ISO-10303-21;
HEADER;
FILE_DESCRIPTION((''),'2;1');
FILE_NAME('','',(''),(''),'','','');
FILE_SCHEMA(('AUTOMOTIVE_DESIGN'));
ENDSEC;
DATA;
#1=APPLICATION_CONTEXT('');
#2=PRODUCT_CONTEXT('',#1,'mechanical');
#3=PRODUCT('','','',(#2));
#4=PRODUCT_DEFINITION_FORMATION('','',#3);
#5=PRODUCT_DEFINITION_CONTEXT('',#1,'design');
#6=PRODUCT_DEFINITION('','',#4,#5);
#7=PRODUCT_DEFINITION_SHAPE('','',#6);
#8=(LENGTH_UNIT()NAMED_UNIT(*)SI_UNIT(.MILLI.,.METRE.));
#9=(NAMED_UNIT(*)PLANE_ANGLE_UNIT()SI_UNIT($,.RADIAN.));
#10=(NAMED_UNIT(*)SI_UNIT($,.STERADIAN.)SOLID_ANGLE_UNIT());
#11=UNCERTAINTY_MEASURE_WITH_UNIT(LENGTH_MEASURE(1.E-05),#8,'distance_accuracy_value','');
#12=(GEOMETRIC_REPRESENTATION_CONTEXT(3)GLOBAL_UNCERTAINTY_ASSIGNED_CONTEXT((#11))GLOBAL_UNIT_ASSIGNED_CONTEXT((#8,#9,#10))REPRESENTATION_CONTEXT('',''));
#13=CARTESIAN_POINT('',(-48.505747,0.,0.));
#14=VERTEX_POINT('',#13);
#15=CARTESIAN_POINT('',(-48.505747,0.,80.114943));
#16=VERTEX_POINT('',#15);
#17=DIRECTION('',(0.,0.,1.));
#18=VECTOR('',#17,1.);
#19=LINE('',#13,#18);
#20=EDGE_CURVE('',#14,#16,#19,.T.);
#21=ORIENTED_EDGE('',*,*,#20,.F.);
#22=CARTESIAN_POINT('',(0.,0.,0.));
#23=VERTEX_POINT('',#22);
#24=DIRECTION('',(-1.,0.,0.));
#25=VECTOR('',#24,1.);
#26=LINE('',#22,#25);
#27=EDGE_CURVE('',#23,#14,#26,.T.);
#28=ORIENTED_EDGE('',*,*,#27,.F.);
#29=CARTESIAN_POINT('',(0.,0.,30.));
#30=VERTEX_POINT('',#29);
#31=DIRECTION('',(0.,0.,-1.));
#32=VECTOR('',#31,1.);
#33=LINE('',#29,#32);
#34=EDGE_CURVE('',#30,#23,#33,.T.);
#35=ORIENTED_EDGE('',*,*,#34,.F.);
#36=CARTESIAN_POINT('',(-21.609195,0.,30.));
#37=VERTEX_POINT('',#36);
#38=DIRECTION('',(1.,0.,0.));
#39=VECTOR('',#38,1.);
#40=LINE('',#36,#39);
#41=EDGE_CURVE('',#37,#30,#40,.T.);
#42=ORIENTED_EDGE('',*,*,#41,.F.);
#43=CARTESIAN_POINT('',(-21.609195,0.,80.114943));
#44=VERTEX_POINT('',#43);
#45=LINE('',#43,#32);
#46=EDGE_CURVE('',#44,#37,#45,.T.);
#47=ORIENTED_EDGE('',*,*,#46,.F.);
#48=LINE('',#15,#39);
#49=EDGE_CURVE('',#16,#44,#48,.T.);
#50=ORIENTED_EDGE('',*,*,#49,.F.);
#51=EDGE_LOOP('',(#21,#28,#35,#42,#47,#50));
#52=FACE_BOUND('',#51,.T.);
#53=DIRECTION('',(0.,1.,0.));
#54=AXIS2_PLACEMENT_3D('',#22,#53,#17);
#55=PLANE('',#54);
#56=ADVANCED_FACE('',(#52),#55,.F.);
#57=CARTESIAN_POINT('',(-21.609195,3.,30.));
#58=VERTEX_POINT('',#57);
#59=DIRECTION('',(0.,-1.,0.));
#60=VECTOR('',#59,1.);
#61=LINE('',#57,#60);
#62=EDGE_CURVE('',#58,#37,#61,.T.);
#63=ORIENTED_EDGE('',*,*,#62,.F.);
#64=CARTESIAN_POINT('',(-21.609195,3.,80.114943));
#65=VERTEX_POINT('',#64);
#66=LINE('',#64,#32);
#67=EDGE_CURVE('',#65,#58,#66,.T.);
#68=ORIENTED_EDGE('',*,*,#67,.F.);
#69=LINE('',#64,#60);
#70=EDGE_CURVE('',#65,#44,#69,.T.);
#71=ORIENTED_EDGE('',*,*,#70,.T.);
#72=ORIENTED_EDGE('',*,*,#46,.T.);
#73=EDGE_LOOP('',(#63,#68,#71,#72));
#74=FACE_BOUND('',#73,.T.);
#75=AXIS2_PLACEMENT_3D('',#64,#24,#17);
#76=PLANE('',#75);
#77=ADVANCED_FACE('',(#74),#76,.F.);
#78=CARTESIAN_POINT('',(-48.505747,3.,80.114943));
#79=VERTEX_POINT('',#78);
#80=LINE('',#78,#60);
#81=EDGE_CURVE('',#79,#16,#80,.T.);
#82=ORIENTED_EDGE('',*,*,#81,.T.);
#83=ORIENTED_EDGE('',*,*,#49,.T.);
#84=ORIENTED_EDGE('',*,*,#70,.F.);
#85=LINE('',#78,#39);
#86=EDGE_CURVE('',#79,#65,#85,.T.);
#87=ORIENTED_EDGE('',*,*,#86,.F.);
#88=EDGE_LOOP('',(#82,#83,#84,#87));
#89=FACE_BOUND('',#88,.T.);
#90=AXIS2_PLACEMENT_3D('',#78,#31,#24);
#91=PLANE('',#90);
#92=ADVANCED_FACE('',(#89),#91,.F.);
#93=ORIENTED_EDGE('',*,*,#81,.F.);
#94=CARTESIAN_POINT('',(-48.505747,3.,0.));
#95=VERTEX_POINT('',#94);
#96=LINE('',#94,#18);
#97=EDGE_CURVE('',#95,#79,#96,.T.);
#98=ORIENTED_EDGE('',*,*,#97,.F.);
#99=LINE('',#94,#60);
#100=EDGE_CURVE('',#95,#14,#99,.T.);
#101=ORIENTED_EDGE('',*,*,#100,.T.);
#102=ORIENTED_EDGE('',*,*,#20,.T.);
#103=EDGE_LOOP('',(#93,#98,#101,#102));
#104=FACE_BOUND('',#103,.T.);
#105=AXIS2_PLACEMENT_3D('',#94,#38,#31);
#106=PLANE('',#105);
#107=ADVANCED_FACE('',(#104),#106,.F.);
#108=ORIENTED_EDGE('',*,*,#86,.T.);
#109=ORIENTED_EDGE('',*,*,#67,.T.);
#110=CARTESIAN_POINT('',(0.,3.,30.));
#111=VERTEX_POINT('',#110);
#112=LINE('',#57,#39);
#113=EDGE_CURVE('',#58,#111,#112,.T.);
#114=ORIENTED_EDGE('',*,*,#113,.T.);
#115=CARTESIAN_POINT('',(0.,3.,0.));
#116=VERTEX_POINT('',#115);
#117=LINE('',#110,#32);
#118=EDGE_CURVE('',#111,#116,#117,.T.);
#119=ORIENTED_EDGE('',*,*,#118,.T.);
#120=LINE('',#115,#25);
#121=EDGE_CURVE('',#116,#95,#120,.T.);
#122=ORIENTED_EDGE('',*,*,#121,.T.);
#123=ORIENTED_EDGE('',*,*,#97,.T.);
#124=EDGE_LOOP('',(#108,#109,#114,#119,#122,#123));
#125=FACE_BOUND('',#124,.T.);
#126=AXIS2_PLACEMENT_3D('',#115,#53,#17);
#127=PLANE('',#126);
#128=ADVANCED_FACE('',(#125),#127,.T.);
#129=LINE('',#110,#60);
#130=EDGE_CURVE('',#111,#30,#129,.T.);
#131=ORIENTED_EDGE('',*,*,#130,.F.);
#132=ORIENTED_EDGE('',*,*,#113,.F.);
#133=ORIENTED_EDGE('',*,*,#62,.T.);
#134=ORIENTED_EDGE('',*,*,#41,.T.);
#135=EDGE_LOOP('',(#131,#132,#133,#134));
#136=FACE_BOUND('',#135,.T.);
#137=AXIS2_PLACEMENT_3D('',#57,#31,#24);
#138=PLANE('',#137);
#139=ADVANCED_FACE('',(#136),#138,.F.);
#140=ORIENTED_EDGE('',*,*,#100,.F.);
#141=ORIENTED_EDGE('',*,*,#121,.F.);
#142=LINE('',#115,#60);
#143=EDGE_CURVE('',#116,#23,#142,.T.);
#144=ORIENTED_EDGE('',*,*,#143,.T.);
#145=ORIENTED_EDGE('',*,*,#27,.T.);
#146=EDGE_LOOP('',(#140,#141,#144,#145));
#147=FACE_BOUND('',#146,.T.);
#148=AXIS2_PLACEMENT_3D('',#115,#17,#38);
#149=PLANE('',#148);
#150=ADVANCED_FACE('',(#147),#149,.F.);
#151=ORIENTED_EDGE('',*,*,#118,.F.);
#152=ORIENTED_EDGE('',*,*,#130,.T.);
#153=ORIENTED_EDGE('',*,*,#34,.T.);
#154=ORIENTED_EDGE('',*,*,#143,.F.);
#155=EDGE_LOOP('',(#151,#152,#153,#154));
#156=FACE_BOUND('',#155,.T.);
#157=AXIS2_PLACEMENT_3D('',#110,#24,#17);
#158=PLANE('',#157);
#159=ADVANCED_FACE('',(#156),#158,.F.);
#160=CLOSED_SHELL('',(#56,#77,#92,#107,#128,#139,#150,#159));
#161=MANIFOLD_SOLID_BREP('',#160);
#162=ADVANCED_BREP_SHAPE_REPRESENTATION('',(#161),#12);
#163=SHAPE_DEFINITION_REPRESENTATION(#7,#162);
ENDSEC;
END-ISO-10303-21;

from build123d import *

# Parameters (mm, degrees)
EXTRUDE_1_DEPTH = 3


with BuildPart() as part:
    # 草图1 → 凸台-拉伸1 (new body)
    with BuildSketch(Plane(origin=(0, 0, 0), x_dir=(1, 0, 0), z_dir=(0, 1, 0))):
        Polygon((0, 0), (-48.505747126, 0), (-48.505747126, -80.114942529), (-21.609195402, -80.114942529), (-21.609195402, -30), (0, -30), align=None)
    extrude(amount=EXTRUDE_1_DEPTH)


solid = part.part
